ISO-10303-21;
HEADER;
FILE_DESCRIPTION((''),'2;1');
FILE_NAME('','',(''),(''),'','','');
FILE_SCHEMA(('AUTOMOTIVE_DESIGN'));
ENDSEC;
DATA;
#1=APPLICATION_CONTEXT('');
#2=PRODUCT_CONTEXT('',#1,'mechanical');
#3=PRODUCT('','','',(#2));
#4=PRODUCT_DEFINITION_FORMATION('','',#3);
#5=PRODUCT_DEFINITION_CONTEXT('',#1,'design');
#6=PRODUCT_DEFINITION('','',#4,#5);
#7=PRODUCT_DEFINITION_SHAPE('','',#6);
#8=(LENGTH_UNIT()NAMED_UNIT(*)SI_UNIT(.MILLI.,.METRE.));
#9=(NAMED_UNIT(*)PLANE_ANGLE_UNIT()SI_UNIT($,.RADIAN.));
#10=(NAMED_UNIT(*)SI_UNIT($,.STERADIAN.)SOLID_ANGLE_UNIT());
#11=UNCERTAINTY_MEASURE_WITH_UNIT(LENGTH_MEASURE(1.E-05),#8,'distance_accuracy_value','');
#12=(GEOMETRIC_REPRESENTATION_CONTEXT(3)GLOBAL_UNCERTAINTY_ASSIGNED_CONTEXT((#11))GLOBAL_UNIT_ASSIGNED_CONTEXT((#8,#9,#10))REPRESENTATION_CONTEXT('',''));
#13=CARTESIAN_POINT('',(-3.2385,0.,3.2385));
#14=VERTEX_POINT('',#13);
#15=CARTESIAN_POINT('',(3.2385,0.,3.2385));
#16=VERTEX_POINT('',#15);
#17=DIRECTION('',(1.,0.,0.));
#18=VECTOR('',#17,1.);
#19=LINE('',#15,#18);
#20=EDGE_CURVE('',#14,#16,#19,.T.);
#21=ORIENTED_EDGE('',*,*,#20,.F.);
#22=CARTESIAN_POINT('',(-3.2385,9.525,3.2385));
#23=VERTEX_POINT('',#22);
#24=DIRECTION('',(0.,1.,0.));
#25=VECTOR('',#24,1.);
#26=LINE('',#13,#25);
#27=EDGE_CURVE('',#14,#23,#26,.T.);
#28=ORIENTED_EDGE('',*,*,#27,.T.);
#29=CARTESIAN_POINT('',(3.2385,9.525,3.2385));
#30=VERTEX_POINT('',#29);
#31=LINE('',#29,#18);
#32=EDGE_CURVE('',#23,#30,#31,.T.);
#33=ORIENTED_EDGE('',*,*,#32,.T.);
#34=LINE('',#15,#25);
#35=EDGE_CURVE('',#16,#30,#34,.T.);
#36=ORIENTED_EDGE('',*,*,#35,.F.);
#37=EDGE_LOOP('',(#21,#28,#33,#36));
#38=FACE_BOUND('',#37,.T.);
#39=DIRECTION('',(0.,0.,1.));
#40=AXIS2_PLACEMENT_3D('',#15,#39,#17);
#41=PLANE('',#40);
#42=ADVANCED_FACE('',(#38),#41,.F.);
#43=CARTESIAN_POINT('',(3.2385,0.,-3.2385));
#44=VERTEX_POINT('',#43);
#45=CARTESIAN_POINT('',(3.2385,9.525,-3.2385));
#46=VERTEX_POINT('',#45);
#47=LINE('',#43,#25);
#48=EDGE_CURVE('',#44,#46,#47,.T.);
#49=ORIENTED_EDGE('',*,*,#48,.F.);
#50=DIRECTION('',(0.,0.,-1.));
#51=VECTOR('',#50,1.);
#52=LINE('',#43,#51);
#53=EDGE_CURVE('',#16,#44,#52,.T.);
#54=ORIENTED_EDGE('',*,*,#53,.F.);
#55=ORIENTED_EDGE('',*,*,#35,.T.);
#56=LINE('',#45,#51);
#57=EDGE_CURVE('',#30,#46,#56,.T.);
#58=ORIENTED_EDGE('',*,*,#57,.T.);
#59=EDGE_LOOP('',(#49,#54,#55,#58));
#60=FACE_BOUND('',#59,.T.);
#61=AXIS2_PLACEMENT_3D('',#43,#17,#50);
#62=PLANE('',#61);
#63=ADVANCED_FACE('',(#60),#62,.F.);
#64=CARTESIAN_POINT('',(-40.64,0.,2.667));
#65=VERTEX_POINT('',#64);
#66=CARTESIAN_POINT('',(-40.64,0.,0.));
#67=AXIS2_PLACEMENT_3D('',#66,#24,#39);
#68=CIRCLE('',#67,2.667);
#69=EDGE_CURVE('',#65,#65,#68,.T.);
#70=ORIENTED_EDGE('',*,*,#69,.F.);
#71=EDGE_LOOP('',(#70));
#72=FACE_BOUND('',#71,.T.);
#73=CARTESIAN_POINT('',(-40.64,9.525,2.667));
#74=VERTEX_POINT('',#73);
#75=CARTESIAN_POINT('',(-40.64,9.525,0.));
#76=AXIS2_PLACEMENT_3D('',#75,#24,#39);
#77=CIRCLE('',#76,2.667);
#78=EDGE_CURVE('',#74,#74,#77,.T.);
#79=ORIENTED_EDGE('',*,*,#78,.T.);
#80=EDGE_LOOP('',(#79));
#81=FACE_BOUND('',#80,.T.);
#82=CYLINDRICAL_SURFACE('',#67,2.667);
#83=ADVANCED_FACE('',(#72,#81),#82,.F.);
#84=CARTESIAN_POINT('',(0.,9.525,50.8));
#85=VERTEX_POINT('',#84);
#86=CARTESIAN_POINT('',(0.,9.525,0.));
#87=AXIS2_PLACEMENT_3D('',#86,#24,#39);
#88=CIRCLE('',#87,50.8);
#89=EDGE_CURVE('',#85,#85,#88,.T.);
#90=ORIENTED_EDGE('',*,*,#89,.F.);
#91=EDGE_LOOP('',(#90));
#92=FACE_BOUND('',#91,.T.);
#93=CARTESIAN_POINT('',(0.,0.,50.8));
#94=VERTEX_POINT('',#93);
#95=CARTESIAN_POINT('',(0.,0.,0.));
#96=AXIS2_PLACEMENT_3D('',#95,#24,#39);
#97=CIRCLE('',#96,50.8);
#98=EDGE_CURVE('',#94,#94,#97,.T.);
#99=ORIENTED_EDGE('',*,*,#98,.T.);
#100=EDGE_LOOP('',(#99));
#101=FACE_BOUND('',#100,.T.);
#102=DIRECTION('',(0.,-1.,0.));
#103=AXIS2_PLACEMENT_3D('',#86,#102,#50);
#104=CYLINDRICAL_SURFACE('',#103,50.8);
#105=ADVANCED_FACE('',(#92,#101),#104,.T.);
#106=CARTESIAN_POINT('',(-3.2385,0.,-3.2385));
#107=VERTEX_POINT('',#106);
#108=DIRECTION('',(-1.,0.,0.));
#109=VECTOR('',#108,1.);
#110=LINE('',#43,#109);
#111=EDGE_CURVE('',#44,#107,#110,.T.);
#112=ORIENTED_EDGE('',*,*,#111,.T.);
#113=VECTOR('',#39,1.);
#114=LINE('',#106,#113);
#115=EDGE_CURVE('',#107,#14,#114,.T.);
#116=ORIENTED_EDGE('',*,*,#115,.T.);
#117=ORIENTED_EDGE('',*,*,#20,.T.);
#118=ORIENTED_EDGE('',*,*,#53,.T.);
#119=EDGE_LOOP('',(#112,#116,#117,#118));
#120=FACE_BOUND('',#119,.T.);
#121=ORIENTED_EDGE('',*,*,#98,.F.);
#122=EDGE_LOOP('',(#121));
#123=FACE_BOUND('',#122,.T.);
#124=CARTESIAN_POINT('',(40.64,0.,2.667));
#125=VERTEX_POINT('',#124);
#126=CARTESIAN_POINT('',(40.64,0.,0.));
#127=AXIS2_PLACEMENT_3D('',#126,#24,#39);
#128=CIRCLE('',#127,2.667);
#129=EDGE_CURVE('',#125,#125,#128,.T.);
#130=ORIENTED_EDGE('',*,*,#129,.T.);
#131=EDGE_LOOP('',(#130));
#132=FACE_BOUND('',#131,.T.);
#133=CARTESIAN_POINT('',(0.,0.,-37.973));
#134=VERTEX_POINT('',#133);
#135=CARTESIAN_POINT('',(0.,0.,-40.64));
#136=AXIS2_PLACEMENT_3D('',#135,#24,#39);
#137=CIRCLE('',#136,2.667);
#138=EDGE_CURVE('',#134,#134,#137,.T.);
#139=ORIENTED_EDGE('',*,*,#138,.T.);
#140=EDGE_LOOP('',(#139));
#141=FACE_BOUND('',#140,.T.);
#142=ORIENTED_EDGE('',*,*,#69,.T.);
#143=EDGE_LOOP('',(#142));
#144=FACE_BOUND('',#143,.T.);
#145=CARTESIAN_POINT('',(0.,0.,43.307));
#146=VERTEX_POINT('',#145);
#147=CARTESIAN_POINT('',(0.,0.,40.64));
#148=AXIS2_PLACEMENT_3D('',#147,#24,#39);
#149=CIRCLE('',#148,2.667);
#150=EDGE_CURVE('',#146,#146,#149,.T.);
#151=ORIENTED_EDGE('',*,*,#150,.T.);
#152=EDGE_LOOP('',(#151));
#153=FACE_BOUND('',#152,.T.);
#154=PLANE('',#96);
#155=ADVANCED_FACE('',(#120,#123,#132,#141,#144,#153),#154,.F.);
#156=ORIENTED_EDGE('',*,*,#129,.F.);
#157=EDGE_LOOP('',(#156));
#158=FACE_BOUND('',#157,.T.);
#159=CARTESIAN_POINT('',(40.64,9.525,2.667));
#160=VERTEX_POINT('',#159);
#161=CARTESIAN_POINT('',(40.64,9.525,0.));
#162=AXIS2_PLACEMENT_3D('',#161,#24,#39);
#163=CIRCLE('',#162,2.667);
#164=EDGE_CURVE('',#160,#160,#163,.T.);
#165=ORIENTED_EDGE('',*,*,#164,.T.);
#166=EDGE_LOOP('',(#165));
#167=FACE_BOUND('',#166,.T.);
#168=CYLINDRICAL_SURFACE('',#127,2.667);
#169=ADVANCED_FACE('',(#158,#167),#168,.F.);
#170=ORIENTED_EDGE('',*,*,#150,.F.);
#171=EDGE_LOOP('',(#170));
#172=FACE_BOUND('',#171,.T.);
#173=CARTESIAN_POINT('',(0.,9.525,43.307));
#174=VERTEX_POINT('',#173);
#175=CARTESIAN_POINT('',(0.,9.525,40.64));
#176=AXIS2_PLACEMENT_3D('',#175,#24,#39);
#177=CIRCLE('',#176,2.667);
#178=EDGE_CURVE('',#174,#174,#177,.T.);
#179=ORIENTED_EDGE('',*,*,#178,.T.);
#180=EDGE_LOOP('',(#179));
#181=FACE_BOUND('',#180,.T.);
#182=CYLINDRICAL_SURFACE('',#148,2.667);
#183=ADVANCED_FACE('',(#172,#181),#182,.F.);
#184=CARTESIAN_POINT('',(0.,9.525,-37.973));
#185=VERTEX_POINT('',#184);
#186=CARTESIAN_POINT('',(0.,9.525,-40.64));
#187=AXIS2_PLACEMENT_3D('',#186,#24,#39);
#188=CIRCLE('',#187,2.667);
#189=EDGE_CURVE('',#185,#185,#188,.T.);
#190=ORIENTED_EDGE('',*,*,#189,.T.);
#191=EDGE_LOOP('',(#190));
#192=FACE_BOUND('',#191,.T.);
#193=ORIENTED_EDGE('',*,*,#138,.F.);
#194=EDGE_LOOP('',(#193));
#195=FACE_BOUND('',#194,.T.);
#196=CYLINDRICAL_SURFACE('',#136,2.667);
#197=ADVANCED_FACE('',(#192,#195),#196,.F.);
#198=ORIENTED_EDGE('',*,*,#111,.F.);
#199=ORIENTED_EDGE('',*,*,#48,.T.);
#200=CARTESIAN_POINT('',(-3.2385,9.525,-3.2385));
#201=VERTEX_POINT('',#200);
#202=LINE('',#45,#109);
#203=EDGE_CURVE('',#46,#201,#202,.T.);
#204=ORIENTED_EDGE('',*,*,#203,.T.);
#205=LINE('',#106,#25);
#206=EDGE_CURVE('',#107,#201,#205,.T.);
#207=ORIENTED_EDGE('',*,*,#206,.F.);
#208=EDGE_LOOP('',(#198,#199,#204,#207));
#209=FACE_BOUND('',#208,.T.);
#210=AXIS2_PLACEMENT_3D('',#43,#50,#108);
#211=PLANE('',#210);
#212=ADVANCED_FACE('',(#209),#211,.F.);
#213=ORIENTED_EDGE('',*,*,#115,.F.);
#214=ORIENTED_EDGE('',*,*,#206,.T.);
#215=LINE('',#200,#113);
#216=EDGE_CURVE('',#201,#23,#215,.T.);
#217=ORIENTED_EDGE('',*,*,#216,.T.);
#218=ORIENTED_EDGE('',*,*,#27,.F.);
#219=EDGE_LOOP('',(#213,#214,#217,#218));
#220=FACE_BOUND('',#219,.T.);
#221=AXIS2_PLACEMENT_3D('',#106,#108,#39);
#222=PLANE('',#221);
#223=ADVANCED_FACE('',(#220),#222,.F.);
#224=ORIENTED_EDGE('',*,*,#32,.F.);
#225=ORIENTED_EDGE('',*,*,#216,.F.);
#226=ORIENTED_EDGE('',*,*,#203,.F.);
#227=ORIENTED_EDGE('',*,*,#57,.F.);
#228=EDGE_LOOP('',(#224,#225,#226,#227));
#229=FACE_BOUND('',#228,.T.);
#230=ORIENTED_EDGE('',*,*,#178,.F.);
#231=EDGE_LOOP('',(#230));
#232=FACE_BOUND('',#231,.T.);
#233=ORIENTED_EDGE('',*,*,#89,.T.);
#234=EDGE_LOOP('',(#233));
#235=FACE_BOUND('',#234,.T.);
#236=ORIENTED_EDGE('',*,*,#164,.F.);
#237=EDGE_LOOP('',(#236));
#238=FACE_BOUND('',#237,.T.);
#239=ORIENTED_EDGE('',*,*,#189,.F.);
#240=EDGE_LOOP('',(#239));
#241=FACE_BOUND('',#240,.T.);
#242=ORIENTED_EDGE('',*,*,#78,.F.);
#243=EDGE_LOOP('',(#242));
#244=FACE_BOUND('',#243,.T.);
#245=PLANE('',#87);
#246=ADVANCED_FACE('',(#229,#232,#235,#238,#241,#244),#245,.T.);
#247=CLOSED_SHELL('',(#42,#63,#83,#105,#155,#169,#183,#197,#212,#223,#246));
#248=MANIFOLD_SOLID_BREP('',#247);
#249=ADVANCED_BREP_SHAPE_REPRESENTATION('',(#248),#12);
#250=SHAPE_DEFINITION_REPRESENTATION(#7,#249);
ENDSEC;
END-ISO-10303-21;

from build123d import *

# Parameters (mm, degrees)
SKETCH2_R           = 50.8
BOSS_EXTRUDE1_DEPTH = 9.525
SKETCH3_R           = 2.667
CUT_EXTRUDE1_DEPTH  = 10.525
SKETCH4_W           = 6.477
SKETCH4_H           = 6.477
CUT_EXTRUDE2_DEPTH  = 10.525


with BuildPart() as part:
    # Sketch2 → Boss-Extrude1 (new body)
    with BuildSketch(Plane(origin=(0, 0, 0), x_dir=(1, 0, 0), z_dir=(0, 1, 0))):
        Circle(SKETCH2_R)
    extrude(amount=BOSS_EXTRUDE1_DEPTH)

    # Sketch3 → Cut-Extrude1 (cut, through all)
    with BuildSketch(Plane(origin=(0, 9.525, 0), x_dir=(1, 0, 0), z_dir=(0, 1, 0))):
        with Locations((0, -40.64)):
            Circle(SKETCH3_R)
        with Locations((-40.64, 0)):
            Circle(SKETCH3_R)
        with Locations((0, 40.64)):
            Circle(SKETCH3_R)
        with Locations((40.64, 0)):
            Circle(SKETCH3_R)
    extrude(amount=-CUT_EXTRUDE1_DEPTH, mode=Mode.SUBTRACT)

    # Sketch4 → Cut-Extrude2 (cut, through all)
    with BuildSketch(Plane(origin=(0, 9.525, 0), x_dir=(1, 0, 0), z_dir=(0, 1, 0))):
        Rectangle(SKETCH4_W, SKETCH4_H)
    extrude(amount=-CUT_EXTRUDE2_DEPTH, mode=Mode.SUBTRACT)


solid = part.part
